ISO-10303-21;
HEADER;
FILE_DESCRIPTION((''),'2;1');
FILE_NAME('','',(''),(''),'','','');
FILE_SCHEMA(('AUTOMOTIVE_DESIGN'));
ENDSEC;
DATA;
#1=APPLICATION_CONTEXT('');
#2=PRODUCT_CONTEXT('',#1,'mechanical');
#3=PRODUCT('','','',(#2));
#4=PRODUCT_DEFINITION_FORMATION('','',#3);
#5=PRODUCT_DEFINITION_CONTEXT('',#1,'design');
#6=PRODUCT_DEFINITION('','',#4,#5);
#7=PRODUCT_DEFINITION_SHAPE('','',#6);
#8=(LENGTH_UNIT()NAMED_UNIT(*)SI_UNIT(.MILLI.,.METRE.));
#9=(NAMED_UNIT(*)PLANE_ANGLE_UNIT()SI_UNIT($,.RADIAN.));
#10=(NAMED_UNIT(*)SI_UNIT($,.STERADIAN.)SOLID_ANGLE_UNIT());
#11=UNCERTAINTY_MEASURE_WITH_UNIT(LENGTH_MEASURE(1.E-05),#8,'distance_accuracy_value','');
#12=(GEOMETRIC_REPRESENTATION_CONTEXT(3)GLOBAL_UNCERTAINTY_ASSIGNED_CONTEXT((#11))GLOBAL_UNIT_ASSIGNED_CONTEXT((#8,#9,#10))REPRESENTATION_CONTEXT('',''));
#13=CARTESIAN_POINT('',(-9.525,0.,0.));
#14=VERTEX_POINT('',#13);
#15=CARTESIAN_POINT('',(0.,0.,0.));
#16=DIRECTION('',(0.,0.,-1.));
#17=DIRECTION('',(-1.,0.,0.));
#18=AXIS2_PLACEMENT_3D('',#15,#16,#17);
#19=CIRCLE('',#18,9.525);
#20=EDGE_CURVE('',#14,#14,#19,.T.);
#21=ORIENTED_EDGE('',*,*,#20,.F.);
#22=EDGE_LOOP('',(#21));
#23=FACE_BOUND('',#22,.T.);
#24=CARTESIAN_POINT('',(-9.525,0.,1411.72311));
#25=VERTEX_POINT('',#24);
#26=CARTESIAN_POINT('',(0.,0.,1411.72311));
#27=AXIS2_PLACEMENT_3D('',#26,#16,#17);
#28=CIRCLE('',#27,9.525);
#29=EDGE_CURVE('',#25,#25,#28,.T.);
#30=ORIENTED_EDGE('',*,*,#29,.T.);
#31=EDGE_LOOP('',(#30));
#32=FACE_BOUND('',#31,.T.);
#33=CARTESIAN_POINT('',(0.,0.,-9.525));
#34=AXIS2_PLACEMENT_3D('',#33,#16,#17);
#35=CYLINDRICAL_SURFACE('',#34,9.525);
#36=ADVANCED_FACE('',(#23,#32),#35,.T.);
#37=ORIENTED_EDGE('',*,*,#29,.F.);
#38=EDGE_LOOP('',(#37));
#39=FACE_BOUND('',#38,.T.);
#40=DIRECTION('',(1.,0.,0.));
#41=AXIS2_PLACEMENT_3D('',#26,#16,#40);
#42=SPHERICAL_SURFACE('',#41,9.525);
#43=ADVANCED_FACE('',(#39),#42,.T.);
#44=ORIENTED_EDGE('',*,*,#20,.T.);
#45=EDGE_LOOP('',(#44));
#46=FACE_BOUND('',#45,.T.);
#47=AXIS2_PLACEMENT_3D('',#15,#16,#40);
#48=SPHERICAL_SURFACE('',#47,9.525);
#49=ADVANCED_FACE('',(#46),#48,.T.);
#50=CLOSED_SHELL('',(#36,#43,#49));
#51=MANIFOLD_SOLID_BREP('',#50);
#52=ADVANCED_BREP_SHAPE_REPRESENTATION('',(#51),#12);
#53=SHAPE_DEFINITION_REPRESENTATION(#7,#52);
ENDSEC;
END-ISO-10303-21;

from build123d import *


with BuildPart() as part:
    # Sketch1 → Revolve1 (revolve)
    with BuildSketch(Plane(origin=(0, 0, 0), x_dir=(1, 0, 0), z_dir=(0, 1, 0))):
        with BuildLine():
            Line((9.525, 0), (9.525, -1411.72311))
            ThreePointArc((9.525, -1411.72311), (6.735192091, -1418.458302091), (0, -1421.24811))
            Line((0, -1421.24811), (0, 9.525))
            ThreePointArc((0, 9.525), (6.735192091, 6.735192091), (9.525, 0))
        make_face()
    revolve(axis=Axis((0, 0, -9.525), (0, 0, 1)))


solid = part.part
